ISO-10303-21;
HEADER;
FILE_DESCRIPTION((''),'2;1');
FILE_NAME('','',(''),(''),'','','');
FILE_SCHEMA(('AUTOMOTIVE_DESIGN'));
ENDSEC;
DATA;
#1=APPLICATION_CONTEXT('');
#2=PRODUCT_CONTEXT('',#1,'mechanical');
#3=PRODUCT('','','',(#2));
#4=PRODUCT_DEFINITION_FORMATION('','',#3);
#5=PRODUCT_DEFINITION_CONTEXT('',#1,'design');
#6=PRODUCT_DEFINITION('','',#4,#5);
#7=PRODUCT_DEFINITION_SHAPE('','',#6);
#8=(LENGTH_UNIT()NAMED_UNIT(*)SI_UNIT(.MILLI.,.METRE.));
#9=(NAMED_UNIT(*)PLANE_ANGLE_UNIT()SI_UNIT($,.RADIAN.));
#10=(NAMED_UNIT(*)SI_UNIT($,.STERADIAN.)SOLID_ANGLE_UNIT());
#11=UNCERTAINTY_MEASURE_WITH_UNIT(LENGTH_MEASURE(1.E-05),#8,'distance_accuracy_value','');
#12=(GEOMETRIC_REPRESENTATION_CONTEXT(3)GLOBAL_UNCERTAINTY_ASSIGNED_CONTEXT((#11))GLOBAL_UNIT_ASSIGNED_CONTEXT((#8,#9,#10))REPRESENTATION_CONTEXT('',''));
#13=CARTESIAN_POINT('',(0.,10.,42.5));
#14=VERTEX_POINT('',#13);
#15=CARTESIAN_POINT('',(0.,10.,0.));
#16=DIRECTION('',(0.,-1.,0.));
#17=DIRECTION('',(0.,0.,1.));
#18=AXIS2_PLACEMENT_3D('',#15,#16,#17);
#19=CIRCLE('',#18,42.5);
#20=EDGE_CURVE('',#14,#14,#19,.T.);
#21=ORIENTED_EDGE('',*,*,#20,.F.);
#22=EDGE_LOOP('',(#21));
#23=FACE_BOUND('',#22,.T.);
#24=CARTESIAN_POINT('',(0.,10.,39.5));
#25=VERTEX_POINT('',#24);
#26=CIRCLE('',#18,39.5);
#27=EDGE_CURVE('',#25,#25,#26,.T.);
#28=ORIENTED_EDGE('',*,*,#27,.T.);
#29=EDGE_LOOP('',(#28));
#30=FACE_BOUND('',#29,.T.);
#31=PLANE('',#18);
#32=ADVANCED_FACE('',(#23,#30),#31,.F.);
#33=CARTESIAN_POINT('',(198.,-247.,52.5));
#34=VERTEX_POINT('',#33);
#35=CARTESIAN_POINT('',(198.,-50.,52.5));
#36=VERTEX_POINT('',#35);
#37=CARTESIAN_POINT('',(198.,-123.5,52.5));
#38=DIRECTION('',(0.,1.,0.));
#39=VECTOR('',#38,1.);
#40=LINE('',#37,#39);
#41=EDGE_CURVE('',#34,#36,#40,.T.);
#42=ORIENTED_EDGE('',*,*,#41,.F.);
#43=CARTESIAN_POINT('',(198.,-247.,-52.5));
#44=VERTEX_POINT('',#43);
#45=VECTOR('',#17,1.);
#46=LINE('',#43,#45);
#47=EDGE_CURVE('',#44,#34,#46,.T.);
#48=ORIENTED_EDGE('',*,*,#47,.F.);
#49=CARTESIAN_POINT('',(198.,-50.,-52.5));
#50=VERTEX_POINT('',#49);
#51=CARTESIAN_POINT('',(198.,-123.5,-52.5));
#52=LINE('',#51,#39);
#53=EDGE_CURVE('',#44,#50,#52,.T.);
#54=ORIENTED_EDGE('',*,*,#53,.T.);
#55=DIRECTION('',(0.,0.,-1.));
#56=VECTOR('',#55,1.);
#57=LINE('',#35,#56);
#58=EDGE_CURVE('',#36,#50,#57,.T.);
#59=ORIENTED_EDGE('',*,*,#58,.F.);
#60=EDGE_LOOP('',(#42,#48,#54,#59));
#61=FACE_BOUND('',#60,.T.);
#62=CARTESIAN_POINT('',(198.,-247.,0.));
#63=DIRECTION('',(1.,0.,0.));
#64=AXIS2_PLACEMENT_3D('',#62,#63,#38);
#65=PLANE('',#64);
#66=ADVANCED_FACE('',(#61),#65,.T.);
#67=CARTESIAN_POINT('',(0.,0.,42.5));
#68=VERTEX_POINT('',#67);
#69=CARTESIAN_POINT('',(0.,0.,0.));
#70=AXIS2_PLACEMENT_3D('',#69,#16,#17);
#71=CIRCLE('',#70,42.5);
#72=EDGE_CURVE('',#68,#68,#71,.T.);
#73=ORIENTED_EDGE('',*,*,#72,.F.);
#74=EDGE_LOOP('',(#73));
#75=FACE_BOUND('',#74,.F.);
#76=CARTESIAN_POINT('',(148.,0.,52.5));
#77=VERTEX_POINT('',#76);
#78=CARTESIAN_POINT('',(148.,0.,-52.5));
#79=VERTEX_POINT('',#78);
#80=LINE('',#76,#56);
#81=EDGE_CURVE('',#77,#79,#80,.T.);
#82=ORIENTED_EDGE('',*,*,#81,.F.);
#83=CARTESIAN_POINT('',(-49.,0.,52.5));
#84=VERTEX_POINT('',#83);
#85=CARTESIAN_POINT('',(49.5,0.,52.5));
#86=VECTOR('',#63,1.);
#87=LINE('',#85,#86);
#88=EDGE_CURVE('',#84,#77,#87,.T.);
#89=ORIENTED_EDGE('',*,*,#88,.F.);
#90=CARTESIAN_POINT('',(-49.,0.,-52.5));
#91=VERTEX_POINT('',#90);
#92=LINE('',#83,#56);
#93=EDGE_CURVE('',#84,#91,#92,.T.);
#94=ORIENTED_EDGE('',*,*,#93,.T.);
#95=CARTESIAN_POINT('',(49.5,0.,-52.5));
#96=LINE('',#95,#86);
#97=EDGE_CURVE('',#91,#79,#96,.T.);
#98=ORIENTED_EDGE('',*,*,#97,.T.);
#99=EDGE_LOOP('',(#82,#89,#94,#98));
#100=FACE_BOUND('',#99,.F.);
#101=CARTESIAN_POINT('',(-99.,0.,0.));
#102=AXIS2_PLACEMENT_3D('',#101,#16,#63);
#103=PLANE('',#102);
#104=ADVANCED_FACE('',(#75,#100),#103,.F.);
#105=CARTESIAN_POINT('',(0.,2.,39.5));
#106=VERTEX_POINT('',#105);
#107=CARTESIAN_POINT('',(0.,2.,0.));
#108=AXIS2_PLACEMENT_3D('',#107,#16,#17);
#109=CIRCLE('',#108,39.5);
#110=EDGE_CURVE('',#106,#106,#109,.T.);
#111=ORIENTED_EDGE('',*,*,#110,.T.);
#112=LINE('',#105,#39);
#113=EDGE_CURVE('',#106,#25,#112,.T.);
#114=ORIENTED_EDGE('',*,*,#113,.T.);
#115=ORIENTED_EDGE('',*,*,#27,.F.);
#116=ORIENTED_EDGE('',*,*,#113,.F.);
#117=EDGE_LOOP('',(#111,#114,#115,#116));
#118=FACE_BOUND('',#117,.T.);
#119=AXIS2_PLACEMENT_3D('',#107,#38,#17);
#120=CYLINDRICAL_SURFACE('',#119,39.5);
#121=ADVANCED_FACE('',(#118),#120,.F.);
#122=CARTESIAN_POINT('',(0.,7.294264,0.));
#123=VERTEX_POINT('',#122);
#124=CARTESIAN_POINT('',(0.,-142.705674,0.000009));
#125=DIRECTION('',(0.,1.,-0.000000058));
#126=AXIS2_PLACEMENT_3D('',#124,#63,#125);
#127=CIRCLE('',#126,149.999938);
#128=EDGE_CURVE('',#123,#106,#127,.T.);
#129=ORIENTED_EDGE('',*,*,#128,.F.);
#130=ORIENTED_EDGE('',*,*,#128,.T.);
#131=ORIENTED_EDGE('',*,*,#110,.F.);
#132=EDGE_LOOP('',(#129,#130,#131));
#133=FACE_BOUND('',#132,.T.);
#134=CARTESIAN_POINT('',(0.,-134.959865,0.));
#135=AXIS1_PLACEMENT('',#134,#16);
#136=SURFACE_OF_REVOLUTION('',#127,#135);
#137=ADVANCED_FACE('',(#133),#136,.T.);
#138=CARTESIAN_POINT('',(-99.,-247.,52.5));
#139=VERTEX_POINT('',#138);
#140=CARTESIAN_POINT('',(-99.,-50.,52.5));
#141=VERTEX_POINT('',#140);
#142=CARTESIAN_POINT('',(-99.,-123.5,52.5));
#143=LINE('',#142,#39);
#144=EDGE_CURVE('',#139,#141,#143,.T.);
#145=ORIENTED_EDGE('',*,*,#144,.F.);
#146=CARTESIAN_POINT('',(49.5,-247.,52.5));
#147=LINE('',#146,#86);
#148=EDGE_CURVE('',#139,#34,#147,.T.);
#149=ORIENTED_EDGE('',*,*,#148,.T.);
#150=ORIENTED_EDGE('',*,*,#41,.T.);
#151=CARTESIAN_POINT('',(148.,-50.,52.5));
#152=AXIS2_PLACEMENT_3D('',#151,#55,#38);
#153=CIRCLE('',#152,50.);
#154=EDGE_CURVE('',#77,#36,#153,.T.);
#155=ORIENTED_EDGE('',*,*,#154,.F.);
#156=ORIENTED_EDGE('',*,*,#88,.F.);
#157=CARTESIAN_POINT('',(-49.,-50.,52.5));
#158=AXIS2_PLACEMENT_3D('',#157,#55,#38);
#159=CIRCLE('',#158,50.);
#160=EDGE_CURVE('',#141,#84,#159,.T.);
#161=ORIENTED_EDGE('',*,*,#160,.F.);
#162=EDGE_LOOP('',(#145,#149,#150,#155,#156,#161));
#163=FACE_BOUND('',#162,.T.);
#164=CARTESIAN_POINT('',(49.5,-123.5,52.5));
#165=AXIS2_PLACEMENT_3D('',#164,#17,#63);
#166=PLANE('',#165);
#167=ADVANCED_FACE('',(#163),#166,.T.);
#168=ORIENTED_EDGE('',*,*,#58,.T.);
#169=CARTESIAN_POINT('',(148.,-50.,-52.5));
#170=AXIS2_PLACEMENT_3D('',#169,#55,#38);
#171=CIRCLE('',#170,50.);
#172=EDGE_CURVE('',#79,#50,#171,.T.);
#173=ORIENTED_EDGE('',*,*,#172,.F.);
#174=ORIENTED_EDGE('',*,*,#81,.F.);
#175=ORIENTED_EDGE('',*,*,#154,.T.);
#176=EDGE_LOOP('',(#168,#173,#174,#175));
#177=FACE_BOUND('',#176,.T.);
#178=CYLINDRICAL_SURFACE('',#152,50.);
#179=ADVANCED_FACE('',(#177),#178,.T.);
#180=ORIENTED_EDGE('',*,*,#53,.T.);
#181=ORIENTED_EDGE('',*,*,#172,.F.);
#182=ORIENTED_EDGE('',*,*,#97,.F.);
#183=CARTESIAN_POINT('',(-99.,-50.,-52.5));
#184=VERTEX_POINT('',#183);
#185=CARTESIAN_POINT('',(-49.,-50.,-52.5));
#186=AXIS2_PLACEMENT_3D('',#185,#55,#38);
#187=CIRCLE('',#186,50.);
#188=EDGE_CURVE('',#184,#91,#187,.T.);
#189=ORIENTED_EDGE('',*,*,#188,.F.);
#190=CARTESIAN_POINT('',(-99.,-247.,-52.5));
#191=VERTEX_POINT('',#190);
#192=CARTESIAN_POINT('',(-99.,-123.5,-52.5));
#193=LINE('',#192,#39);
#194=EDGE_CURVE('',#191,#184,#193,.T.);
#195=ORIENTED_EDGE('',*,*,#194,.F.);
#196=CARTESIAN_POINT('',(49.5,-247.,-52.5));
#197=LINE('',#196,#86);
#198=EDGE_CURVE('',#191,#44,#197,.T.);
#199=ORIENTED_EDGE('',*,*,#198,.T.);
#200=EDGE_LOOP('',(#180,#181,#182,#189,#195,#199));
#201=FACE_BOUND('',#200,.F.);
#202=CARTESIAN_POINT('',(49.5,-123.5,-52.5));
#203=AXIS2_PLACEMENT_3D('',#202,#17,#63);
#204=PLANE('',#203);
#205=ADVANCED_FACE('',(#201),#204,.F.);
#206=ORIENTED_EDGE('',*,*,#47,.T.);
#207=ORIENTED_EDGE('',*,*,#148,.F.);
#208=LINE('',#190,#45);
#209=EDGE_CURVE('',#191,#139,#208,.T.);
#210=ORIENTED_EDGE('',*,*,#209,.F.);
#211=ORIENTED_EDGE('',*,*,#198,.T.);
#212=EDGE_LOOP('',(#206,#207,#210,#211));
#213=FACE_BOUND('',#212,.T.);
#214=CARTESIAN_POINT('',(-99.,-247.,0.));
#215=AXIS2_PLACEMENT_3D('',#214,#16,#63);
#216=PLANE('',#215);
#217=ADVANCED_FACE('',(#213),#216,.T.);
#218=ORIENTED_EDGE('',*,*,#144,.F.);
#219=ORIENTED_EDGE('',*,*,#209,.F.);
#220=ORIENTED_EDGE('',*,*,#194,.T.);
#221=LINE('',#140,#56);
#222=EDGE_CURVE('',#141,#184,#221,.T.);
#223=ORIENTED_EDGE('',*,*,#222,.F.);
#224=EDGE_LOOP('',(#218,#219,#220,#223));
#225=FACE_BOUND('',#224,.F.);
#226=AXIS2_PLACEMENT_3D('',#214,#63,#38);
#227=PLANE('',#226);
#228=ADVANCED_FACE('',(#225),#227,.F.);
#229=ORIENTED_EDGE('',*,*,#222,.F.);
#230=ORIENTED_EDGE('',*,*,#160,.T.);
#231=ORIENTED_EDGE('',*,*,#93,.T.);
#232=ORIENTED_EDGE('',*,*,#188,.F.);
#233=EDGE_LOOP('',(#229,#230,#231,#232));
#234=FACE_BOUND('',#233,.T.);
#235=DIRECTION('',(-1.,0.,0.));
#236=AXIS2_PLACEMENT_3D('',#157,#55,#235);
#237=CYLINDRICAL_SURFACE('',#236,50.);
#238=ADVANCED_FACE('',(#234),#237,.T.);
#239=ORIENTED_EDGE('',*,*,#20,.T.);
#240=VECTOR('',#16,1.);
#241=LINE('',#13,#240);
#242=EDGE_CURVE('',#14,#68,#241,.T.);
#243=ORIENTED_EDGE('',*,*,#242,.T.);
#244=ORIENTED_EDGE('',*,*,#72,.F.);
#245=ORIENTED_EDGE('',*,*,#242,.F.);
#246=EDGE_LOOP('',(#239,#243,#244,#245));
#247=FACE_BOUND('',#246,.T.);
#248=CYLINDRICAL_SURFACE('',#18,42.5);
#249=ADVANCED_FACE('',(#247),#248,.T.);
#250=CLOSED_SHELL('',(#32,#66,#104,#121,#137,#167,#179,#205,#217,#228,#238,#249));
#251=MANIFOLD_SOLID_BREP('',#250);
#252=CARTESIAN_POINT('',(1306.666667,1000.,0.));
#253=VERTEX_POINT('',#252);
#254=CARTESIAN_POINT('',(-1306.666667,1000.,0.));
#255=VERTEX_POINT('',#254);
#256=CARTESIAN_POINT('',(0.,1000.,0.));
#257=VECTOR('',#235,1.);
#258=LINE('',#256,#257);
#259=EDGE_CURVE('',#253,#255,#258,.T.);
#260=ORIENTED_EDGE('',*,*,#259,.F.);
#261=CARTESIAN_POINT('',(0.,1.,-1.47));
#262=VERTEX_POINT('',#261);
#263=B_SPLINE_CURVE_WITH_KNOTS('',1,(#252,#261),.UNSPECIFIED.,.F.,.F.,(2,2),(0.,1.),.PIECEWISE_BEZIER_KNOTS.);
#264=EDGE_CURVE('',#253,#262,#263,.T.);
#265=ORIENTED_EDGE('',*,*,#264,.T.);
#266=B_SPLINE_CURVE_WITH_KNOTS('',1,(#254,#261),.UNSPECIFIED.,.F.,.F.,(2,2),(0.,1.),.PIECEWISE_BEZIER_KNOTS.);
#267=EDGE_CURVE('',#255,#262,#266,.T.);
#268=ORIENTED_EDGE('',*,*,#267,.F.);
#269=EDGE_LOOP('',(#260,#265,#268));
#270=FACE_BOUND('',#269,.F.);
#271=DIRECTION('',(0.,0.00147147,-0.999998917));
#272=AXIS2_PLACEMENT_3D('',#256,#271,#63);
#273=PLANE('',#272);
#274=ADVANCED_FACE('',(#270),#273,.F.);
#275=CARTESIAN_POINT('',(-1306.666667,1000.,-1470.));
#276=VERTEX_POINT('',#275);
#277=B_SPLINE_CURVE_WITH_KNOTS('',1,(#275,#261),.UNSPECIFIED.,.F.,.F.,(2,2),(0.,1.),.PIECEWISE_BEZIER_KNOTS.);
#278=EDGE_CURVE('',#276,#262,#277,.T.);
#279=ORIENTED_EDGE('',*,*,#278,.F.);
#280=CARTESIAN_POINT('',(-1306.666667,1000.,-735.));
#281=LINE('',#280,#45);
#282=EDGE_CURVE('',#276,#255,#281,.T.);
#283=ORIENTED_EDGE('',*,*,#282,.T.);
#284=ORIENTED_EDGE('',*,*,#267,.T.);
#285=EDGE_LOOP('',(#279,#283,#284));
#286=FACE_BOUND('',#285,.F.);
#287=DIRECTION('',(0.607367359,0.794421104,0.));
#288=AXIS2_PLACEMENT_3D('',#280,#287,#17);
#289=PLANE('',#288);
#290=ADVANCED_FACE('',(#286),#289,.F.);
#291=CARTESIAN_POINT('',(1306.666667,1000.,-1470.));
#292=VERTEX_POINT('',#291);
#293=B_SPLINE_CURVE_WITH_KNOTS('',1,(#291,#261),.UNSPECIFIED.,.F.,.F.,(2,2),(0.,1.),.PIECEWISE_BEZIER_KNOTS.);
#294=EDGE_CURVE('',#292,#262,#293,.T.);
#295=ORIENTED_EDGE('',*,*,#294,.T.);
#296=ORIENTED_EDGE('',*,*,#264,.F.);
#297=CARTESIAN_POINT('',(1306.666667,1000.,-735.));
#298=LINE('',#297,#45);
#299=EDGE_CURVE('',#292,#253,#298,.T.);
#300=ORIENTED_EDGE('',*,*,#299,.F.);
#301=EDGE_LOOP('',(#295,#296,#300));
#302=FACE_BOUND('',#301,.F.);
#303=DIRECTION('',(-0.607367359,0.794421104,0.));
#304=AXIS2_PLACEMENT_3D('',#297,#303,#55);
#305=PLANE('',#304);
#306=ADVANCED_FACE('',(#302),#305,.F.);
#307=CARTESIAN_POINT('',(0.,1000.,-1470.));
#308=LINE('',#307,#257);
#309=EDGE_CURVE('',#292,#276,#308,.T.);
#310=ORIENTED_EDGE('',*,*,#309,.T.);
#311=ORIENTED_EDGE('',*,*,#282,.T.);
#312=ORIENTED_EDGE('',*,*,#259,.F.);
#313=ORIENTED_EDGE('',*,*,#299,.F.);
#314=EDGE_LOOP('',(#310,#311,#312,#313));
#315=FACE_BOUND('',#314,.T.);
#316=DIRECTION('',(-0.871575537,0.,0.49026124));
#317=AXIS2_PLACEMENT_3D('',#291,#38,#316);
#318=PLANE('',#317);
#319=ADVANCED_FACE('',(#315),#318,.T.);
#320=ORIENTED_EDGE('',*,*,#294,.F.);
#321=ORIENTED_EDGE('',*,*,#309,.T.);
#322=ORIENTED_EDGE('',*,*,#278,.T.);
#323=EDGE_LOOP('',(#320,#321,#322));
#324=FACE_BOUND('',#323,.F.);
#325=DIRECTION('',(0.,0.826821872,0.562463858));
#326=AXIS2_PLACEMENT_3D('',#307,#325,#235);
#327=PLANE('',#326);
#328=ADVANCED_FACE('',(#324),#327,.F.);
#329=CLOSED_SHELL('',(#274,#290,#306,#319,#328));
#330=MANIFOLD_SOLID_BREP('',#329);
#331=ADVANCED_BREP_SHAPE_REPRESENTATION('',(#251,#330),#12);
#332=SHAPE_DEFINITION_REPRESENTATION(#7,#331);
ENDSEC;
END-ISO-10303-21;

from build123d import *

# Parameters (mm, degrees)
F0_W     = 297
F0_H     = 247
F1_DEPTH = 52.5
F4_R     = 50
F7_W     = 2613.333334
F7_H     = 1470


with BuildPart() as f1:
    # F0 (on Top) → F1 (new body, symmetric)
    with BuildSketch(Plane.XY):
        with Locations((49.5, -123.5)):
            Rectangle(F0_W, F0_H)
    extrude(amount=F1_DEPTH, both=True)

    # F2 (on Right) → F3 (revolve)
    with BuildSketch(Plane.YZ):
        with BuildLine():
            Line((0, 42.5), (0, 0))
            Line((0, 0), (7.294264, 0))
            ThreePointArc((7.294264, 0), (5.964807, 19.926611), (2, 39.5))
            Line((2, 39.5), (10, 39.5))
            Line((10, 39.5), (10, 42.5))
            Line((10, 42.5), (0, 42.5))
        make_face()
    revolve(axis=Axis((0, -134.959865, 0), (0, -1, 0)))

    # F4
    f4_edges = [f1.edges().sort_by_distance(p)[0] for p in [
        (198, 0, 0),
        (-99, 0, 0),
    ]]
    fillet(f4_edges, radius=F4_R)


with BuildPart() as f8:
    # F7 (on face) → F8 section 0
    with BuildSketch(Plane(origin=(0, 1000, 0), x_dir=(-1, 0, 0), z_dir=(0, 1, 0)), mode=Mode.PRIVATE) as f8_s0:
        with Locations((0, -735)):
            Rectangle(F7_W, F7_H)
    loft([f8_s0.sketch, Vertex(0, 1, -1.47)])


solid = Compound([f1.part, f8.part])
